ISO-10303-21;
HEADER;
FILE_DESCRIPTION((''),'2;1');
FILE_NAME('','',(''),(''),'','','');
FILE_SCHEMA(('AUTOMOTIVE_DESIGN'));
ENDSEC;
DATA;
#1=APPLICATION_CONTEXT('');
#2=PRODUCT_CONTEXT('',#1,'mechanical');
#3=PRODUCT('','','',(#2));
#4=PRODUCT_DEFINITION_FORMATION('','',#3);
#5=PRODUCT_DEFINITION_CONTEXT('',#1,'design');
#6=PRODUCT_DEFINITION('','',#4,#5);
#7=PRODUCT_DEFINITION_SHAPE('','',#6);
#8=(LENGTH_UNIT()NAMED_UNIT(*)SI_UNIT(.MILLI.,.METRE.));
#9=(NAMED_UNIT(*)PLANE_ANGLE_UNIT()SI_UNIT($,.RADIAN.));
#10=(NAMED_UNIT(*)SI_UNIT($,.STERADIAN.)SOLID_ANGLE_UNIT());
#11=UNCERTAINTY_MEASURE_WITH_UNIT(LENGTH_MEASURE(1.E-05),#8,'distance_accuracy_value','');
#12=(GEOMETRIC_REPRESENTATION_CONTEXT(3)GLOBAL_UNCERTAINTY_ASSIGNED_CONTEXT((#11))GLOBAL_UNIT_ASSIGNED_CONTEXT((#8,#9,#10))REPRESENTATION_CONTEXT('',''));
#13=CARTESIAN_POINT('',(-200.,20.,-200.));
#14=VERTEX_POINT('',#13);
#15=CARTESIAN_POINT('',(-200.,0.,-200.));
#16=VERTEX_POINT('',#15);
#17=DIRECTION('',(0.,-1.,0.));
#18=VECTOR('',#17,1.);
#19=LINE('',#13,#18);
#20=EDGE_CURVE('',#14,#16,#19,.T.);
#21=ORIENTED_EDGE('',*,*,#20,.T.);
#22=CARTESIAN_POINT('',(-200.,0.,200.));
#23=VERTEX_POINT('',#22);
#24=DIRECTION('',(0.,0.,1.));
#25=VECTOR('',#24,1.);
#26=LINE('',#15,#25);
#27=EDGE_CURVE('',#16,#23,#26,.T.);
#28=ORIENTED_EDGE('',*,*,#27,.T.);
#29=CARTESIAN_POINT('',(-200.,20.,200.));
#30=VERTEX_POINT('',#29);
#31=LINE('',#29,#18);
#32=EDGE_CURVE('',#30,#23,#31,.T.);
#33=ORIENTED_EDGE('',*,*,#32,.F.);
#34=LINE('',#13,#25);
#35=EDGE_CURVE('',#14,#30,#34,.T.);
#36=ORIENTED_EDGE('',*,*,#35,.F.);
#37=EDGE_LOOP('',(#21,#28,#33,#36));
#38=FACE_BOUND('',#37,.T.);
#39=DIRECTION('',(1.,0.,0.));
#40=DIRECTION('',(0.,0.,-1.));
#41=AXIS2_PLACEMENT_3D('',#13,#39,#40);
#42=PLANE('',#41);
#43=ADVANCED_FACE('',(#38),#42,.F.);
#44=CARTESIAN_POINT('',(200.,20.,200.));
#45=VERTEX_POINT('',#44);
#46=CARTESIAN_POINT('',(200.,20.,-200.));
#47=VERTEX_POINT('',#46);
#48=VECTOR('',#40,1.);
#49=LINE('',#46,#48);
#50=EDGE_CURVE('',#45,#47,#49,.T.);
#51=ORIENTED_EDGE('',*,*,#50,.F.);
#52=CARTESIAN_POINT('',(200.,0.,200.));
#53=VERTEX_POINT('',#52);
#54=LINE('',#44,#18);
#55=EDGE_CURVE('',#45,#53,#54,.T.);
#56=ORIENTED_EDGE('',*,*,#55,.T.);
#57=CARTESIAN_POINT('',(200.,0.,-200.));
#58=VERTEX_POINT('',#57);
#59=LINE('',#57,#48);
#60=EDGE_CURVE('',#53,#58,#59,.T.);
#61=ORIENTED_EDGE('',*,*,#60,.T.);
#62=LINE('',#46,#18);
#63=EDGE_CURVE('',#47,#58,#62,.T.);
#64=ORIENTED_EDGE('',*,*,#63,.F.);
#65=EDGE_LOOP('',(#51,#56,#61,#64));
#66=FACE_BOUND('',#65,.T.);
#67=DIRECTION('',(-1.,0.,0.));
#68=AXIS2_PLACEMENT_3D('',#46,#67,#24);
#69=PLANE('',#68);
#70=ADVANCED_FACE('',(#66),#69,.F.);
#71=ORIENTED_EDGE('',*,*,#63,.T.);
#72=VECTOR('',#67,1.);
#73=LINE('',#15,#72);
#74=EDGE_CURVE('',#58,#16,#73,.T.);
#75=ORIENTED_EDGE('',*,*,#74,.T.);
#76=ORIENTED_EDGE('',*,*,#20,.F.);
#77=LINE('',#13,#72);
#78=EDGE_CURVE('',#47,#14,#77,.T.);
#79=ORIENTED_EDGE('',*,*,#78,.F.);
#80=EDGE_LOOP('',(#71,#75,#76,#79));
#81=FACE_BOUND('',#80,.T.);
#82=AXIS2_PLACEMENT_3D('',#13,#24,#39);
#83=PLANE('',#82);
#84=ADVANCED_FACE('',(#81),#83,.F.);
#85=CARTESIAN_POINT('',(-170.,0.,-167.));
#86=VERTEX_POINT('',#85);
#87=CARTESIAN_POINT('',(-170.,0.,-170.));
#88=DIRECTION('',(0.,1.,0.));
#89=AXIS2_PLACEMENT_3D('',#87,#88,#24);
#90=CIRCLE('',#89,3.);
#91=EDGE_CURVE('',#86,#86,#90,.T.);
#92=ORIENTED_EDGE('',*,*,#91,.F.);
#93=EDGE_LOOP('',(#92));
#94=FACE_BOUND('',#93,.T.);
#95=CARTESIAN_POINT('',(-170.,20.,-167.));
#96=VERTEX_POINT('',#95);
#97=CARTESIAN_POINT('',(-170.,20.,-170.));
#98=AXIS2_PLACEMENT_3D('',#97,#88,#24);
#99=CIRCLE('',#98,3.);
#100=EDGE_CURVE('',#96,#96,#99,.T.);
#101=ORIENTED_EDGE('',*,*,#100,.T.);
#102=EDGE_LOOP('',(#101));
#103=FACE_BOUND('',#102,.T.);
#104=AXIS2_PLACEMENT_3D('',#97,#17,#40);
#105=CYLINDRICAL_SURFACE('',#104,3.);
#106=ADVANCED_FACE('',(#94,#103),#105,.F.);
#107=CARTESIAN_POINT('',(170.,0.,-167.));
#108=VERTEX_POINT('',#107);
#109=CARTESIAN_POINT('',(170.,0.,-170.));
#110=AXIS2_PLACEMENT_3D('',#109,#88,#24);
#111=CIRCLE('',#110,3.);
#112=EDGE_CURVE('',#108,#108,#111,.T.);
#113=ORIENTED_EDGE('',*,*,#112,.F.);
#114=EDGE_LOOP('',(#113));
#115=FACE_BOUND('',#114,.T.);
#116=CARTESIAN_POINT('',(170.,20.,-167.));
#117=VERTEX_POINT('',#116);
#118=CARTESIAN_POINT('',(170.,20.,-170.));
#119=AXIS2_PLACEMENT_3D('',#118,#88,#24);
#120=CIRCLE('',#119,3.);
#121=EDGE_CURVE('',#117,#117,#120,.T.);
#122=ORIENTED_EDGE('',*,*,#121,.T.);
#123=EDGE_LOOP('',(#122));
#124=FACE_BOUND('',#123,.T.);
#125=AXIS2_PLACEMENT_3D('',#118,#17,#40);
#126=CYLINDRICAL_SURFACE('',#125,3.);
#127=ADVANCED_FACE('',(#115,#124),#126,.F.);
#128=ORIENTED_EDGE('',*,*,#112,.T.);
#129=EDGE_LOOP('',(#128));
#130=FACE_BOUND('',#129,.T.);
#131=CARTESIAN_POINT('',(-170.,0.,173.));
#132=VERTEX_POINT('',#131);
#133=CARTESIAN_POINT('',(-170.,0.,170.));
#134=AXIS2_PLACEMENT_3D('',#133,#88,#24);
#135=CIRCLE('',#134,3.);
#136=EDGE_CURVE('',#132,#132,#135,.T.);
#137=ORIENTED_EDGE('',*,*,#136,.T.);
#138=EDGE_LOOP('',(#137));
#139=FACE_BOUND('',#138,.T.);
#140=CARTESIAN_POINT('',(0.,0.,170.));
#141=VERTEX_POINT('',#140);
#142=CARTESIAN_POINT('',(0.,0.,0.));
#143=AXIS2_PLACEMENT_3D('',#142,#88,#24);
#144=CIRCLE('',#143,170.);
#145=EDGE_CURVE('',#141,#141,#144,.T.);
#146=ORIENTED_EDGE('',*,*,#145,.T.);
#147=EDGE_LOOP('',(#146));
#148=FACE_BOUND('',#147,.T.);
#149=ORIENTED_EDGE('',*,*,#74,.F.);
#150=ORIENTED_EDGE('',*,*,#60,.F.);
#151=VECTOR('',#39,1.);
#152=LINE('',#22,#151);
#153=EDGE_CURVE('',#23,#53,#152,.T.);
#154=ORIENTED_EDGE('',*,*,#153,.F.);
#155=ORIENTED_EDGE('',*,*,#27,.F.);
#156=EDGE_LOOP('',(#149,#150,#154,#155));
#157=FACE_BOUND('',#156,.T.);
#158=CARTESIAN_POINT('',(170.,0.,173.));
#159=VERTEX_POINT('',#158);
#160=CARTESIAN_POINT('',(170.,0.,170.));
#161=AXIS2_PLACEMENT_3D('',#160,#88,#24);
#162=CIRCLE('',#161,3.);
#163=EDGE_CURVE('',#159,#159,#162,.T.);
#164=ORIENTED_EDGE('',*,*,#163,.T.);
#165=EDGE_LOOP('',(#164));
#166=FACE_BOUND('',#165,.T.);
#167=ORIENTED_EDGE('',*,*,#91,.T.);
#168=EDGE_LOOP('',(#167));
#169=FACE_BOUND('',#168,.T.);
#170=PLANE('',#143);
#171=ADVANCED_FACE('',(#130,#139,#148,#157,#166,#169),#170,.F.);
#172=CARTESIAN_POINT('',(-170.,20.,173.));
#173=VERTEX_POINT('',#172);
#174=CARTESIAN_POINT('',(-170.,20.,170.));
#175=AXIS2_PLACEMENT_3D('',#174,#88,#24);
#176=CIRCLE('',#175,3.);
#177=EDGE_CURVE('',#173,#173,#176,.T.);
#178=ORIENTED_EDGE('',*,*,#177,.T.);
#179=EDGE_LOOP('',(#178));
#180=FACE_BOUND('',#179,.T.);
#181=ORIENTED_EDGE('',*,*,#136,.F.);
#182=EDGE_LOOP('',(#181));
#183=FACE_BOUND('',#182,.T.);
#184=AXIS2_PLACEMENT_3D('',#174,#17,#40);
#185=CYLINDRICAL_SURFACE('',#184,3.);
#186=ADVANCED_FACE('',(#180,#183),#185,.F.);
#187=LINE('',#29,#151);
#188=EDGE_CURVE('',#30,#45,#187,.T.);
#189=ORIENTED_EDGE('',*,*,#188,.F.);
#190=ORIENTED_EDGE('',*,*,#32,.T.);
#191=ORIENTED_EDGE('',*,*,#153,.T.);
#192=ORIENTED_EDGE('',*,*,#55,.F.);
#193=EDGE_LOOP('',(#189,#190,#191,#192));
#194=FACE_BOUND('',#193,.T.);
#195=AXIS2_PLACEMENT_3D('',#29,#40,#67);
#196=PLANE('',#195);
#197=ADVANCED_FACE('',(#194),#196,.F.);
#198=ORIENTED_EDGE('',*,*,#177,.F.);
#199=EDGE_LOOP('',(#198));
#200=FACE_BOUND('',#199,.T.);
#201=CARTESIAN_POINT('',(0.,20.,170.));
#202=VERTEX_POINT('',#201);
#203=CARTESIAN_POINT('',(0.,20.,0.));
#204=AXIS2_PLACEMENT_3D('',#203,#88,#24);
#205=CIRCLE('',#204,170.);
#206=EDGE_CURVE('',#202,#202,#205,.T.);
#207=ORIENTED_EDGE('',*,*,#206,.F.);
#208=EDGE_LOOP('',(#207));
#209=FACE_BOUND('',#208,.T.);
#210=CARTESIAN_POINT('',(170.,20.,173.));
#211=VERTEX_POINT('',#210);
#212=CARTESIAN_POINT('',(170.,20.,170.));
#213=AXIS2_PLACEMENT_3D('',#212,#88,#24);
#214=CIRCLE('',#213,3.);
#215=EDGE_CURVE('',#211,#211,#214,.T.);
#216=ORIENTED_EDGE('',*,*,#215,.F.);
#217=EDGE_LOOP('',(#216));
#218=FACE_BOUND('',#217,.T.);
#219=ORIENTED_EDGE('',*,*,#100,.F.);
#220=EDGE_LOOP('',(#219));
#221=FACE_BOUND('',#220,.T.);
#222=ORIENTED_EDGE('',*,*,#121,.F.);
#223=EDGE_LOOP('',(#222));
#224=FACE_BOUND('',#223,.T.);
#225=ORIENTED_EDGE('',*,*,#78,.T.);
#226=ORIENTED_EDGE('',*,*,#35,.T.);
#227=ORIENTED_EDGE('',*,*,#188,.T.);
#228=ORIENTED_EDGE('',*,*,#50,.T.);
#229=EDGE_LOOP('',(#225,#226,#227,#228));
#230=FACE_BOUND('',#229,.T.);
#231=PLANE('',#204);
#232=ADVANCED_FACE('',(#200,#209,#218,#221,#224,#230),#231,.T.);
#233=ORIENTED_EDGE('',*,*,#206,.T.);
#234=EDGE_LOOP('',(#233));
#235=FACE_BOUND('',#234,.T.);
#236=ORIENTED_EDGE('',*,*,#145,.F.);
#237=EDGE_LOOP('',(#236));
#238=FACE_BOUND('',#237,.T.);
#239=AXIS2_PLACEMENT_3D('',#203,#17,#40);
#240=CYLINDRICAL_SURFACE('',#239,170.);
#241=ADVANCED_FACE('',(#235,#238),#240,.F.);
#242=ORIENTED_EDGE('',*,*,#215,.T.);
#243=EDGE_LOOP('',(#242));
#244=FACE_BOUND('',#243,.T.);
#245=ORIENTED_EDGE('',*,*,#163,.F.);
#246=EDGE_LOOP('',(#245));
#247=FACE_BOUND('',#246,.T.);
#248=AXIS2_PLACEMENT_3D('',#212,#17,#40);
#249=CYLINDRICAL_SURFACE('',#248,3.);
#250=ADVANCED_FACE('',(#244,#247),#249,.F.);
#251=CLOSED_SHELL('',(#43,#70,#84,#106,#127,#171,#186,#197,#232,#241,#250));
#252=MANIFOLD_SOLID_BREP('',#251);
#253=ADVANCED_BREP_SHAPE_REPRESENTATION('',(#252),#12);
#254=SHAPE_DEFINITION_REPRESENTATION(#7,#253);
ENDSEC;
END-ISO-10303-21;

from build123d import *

# Parameters (mm, degrees)
SKETCH1_W           = 400
SKETCH1_H           = 400
SKETCH1_R           = 170
SKETCH1_R_2         = 3
BOSS_EXTRUDE1_DEPTH = 20


with BuildPart() as part:
    # Sketch1 → Boss-Extrude1 (new body)
    with BuildSketch(Plane(origin=(0, 0, 0), x_dir=(1, 0, 0), z_dir=(0, 1, 0))):
        Rectangle(SKETCH1_W, SKETCH1_H)
        with Locations(Location((0, 0, 0), (0, 0, 270))):
            Circle(SKETCH1_R, mode=Mode.SUBTRACT)
        with Locations(Location((-170, 170, 0), (0, 0, 270))):
            Circle(SKETCH1_R_2, mode=Mode.SUBTRACT)
        with Locations(Location((170, 170, 0), (0, 0, 270))):
            Circle(SKETCH1_R_2, mode=Mode.SUBTRACT)
        with Locations(Location((170, -170, 0), (0, 0, 270))):
            Circle(SKETCH1_R_2, mode=Mode.SUBTRACT)
        with Locations(Location((-170, -170, 0), (0, 0, 270))):
            Circle(SKETCH1_R_2, mode=Mode.SUBTRACT)
    extrude(amount=BOSS_EXTRUDE1_DEPTH)


solid = part.part
